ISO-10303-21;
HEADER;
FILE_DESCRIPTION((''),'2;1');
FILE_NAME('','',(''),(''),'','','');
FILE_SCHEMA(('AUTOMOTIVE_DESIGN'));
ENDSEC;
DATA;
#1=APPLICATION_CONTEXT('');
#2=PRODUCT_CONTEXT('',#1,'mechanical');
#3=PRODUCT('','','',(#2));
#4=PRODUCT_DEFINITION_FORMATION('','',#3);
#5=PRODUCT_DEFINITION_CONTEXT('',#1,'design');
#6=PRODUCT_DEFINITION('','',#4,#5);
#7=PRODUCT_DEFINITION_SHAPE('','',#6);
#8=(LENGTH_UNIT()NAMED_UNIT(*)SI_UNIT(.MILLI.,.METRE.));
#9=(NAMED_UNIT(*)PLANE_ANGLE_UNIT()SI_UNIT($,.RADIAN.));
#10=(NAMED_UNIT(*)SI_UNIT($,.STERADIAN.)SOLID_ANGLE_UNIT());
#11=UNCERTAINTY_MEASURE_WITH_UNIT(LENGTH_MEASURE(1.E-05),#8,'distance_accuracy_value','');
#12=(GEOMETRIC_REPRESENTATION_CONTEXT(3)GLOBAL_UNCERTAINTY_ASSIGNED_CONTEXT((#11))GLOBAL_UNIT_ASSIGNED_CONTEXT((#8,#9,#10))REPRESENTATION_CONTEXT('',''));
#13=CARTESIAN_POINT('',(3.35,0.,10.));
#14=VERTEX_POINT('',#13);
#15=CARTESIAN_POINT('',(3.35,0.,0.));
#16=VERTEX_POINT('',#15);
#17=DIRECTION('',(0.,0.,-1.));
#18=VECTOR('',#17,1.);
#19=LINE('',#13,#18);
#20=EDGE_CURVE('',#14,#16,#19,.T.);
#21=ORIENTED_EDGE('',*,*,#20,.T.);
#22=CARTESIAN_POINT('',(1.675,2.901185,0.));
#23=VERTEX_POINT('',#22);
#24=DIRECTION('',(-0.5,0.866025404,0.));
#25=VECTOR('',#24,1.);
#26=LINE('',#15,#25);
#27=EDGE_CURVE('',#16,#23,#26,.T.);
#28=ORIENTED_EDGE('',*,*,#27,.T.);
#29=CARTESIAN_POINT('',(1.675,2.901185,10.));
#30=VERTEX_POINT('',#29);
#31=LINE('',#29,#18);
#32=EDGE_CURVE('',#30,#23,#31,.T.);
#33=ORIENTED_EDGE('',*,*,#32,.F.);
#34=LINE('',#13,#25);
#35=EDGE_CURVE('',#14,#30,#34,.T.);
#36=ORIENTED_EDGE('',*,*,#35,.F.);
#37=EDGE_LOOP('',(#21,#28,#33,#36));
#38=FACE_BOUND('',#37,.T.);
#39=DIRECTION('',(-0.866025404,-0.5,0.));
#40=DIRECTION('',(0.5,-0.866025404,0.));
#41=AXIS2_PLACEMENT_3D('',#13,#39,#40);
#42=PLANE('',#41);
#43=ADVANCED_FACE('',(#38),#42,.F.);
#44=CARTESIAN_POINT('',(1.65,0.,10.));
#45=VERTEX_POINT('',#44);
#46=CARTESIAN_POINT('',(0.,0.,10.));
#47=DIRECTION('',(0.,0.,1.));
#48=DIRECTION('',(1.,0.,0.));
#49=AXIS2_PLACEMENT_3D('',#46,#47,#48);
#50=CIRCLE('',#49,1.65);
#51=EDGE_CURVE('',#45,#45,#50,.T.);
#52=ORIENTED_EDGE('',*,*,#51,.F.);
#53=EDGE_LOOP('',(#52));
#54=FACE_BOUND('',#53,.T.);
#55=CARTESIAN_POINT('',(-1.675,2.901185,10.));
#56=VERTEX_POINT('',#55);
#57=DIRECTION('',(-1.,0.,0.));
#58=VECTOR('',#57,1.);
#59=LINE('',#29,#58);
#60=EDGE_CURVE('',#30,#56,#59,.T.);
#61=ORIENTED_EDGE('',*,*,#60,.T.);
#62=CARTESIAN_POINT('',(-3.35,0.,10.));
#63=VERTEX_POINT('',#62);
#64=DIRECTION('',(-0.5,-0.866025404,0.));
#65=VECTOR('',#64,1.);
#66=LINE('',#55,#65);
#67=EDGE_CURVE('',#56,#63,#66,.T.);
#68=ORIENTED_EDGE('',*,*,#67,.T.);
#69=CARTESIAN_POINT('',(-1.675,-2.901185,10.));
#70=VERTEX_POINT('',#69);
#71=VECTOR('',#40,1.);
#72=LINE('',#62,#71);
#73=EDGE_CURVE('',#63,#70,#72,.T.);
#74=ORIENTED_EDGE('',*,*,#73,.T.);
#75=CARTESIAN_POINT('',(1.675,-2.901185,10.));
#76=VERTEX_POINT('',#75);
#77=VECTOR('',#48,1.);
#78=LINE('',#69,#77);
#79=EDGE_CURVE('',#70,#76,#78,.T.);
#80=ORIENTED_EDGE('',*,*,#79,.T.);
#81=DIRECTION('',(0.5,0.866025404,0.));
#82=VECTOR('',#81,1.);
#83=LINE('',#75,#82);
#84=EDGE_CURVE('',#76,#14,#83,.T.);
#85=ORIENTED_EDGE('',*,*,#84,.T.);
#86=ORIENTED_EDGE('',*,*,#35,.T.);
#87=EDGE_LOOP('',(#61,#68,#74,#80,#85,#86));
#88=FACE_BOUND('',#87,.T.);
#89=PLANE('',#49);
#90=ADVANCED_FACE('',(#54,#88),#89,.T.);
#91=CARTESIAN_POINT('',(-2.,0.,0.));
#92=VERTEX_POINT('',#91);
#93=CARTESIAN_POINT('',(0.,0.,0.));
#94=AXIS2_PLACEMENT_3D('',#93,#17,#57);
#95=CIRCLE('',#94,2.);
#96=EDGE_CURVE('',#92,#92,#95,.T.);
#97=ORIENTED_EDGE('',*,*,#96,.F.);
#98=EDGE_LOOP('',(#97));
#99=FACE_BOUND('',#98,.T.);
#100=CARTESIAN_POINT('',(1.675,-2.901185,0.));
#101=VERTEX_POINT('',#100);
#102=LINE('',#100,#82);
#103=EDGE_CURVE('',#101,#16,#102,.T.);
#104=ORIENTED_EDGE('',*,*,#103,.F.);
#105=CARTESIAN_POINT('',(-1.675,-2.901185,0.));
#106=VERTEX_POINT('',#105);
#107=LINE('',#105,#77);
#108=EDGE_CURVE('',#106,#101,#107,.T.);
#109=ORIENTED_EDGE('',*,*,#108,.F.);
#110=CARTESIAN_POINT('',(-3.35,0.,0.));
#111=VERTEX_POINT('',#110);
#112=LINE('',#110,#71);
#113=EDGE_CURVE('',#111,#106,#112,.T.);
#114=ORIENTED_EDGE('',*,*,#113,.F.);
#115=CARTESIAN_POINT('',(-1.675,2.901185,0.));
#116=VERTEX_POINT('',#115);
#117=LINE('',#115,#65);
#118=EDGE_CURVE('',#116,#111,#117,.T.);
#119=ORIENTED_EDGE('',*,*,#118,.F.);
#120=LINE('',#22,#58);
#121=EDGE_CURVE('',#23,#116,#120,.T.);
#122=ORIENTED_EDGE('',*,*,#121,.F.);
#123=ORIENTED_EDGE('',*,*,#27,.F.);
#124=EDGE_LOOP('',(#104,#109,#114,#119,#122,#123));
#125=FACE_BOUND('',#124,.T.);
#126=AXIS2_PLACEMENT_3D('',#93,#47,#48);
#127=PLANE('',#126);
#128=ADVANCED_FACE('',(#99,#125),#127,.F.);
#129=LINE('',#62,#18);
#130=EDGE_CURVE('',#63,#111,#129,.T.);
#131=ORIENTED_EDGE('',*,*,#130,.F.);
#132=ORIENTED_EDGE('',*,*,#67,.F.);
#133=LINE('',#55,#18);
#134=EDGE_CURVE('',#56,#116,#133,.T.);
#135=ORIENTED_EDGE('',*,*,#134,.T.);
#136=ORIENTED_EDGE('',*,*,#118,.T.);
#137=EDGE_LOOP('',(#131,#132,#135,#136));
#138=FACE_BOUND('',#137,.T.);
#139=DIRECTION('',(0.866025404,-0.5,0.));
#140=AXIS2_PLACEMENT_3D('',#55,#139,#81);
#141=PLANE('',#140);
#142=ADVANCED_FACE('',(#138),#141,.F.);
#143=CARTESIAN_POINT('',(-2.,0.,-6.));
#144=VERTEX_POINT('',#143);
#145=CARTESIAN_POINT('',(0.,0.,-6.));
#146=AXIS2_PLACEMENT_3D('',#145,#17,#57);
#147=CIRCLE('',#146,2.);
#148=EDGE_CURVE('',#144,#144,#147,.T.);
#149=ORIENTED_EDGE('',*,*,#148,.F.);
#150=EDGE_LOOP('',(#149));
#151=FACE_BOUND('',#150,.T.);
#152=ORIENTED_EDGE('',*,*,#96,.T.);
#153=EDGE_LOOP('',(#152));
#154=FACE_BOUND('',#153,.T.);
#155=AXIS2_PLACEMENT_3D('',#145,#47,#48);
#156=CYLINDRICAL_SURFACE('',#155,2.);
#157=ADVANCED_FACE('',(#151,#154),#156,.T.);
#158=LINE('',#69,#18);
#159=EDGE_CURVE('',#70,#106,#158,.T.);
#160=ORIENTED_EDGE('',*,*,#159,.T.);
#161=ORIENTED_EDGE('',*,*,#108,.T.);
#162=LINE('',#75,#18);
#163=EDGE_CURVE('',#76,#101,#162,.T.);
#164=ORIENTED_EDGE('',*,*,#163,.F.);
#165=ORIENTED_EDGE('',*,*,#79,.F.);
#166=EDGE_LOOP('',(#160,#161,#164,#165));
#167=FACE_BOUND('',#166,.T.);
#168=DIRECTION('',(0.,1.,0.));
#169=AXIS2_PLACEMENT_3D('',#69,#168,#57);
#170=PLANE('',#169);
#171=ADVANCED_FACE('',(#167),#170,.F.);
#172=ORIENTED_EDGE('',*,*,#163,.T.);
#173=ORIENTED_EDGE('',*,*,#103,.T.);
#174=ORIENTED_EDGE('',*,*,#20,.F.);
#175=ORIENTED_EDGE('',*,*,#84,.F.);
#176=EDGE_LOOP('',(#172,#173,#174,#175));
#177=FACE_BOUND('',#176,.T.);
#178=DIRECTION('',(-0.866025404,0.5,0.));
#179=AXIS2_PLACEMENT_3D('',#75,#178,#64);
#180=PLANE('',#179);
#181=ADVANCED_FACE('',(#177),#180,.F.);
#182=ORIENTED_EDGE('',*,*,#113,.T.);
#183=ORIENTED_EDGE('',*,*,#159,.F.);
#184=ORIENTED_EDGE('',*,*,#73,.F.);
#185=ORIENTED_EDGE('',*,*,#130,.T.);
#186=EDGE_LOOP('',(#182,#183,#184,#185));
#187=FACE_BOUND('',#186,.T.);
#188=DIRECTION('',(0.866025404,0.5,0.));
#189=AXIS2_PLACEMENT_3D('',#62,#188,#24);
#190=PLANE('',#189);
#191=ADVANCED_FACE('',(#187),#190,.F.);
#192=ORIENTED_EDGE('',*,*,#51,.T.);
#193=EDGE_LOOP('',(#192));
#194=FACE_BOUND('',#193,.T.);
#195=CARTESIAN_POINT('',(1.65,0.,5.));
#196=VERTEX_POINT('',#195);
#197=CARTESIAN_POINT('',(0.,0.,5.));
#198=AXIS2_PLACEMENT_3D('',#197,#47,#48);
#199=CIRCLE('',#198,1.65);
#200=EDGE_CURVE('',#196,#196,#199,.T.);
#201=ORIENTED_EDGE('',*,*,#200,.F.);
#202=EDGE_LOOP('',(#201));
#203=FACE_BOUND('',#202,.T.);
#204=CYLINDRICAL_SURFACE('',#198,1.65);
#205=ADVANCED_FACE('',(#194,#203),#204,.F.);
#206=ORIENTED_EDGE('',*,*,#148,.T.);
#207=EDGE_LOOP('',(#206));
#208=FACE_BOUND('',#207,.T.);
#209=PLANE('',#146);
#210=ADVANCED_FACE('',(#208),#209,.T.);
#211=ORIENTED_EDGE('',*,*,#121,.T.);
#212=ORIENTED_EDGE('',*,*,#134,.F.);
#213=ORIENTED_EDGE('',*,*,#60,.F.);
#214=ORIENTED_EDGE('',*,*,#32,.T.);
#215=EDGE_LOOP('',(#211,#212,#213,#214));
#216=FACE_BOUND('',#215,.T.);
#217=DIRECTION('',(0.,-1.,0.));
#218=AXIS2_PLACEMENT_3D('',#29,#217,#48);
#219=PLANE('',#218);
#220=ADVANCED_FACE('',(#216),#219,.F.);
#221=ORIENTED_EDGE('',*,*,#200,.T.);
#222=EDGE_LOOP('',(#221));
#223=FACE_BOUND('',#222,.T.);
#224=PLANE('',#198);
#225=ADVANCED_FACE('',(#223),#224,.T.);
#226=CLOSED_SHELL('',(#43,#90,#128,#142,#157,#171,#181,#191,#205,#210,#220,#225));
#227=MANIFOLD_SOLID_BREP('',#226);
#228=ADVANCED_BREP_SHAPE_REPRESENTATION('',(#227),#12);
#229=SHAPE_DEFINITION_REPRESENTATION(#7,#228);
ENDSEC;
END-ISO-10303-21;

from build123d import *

# Parameters (mm, degrees)
EXTRUDE_1_DEPTH     = 10
SKETCH_2_R          = 2
EXTRUDE_2_DEPTH     = 6
SKETCH_3_R          = 1.65
CUT_EXTRUDE_1_DEPTH = 5


with BuildPart() as part:
    # 草圖1 → 填料-伸長1 (new body)
    with BuildSketch(Plane.XY):
        Polygon((1.675, 2.901185103), (-1.675, 2.901185103), (-3.35, 0), (-1.675, -2.901185103), (1.675, -2.901185103), (3.35, 0), align=None)
    extrude(amount=EXTRUDE_1_DEPTH)

    # 草圖2 → 填料-伸長2 (add)
    with BuildSketch(Plane(origin=(0, 0, 0), x_dir=(-1, 0, 0), z_dir=(0, 0, -1))):
        Circle(SKETCH_2_R)
    extrude(amount=EXTRUDE_2_DEPTH)

    # 草圖3 → 除料-伸長1 (cut)
    with BuildSketch(Plane.XY.offset(10)):
        Circle(SKETCH_3_R)
    extrude(amount=-CUT_EXTRUDE_1_DEPTH, mode=Mode.SUBTRACT)


solid = part.part
